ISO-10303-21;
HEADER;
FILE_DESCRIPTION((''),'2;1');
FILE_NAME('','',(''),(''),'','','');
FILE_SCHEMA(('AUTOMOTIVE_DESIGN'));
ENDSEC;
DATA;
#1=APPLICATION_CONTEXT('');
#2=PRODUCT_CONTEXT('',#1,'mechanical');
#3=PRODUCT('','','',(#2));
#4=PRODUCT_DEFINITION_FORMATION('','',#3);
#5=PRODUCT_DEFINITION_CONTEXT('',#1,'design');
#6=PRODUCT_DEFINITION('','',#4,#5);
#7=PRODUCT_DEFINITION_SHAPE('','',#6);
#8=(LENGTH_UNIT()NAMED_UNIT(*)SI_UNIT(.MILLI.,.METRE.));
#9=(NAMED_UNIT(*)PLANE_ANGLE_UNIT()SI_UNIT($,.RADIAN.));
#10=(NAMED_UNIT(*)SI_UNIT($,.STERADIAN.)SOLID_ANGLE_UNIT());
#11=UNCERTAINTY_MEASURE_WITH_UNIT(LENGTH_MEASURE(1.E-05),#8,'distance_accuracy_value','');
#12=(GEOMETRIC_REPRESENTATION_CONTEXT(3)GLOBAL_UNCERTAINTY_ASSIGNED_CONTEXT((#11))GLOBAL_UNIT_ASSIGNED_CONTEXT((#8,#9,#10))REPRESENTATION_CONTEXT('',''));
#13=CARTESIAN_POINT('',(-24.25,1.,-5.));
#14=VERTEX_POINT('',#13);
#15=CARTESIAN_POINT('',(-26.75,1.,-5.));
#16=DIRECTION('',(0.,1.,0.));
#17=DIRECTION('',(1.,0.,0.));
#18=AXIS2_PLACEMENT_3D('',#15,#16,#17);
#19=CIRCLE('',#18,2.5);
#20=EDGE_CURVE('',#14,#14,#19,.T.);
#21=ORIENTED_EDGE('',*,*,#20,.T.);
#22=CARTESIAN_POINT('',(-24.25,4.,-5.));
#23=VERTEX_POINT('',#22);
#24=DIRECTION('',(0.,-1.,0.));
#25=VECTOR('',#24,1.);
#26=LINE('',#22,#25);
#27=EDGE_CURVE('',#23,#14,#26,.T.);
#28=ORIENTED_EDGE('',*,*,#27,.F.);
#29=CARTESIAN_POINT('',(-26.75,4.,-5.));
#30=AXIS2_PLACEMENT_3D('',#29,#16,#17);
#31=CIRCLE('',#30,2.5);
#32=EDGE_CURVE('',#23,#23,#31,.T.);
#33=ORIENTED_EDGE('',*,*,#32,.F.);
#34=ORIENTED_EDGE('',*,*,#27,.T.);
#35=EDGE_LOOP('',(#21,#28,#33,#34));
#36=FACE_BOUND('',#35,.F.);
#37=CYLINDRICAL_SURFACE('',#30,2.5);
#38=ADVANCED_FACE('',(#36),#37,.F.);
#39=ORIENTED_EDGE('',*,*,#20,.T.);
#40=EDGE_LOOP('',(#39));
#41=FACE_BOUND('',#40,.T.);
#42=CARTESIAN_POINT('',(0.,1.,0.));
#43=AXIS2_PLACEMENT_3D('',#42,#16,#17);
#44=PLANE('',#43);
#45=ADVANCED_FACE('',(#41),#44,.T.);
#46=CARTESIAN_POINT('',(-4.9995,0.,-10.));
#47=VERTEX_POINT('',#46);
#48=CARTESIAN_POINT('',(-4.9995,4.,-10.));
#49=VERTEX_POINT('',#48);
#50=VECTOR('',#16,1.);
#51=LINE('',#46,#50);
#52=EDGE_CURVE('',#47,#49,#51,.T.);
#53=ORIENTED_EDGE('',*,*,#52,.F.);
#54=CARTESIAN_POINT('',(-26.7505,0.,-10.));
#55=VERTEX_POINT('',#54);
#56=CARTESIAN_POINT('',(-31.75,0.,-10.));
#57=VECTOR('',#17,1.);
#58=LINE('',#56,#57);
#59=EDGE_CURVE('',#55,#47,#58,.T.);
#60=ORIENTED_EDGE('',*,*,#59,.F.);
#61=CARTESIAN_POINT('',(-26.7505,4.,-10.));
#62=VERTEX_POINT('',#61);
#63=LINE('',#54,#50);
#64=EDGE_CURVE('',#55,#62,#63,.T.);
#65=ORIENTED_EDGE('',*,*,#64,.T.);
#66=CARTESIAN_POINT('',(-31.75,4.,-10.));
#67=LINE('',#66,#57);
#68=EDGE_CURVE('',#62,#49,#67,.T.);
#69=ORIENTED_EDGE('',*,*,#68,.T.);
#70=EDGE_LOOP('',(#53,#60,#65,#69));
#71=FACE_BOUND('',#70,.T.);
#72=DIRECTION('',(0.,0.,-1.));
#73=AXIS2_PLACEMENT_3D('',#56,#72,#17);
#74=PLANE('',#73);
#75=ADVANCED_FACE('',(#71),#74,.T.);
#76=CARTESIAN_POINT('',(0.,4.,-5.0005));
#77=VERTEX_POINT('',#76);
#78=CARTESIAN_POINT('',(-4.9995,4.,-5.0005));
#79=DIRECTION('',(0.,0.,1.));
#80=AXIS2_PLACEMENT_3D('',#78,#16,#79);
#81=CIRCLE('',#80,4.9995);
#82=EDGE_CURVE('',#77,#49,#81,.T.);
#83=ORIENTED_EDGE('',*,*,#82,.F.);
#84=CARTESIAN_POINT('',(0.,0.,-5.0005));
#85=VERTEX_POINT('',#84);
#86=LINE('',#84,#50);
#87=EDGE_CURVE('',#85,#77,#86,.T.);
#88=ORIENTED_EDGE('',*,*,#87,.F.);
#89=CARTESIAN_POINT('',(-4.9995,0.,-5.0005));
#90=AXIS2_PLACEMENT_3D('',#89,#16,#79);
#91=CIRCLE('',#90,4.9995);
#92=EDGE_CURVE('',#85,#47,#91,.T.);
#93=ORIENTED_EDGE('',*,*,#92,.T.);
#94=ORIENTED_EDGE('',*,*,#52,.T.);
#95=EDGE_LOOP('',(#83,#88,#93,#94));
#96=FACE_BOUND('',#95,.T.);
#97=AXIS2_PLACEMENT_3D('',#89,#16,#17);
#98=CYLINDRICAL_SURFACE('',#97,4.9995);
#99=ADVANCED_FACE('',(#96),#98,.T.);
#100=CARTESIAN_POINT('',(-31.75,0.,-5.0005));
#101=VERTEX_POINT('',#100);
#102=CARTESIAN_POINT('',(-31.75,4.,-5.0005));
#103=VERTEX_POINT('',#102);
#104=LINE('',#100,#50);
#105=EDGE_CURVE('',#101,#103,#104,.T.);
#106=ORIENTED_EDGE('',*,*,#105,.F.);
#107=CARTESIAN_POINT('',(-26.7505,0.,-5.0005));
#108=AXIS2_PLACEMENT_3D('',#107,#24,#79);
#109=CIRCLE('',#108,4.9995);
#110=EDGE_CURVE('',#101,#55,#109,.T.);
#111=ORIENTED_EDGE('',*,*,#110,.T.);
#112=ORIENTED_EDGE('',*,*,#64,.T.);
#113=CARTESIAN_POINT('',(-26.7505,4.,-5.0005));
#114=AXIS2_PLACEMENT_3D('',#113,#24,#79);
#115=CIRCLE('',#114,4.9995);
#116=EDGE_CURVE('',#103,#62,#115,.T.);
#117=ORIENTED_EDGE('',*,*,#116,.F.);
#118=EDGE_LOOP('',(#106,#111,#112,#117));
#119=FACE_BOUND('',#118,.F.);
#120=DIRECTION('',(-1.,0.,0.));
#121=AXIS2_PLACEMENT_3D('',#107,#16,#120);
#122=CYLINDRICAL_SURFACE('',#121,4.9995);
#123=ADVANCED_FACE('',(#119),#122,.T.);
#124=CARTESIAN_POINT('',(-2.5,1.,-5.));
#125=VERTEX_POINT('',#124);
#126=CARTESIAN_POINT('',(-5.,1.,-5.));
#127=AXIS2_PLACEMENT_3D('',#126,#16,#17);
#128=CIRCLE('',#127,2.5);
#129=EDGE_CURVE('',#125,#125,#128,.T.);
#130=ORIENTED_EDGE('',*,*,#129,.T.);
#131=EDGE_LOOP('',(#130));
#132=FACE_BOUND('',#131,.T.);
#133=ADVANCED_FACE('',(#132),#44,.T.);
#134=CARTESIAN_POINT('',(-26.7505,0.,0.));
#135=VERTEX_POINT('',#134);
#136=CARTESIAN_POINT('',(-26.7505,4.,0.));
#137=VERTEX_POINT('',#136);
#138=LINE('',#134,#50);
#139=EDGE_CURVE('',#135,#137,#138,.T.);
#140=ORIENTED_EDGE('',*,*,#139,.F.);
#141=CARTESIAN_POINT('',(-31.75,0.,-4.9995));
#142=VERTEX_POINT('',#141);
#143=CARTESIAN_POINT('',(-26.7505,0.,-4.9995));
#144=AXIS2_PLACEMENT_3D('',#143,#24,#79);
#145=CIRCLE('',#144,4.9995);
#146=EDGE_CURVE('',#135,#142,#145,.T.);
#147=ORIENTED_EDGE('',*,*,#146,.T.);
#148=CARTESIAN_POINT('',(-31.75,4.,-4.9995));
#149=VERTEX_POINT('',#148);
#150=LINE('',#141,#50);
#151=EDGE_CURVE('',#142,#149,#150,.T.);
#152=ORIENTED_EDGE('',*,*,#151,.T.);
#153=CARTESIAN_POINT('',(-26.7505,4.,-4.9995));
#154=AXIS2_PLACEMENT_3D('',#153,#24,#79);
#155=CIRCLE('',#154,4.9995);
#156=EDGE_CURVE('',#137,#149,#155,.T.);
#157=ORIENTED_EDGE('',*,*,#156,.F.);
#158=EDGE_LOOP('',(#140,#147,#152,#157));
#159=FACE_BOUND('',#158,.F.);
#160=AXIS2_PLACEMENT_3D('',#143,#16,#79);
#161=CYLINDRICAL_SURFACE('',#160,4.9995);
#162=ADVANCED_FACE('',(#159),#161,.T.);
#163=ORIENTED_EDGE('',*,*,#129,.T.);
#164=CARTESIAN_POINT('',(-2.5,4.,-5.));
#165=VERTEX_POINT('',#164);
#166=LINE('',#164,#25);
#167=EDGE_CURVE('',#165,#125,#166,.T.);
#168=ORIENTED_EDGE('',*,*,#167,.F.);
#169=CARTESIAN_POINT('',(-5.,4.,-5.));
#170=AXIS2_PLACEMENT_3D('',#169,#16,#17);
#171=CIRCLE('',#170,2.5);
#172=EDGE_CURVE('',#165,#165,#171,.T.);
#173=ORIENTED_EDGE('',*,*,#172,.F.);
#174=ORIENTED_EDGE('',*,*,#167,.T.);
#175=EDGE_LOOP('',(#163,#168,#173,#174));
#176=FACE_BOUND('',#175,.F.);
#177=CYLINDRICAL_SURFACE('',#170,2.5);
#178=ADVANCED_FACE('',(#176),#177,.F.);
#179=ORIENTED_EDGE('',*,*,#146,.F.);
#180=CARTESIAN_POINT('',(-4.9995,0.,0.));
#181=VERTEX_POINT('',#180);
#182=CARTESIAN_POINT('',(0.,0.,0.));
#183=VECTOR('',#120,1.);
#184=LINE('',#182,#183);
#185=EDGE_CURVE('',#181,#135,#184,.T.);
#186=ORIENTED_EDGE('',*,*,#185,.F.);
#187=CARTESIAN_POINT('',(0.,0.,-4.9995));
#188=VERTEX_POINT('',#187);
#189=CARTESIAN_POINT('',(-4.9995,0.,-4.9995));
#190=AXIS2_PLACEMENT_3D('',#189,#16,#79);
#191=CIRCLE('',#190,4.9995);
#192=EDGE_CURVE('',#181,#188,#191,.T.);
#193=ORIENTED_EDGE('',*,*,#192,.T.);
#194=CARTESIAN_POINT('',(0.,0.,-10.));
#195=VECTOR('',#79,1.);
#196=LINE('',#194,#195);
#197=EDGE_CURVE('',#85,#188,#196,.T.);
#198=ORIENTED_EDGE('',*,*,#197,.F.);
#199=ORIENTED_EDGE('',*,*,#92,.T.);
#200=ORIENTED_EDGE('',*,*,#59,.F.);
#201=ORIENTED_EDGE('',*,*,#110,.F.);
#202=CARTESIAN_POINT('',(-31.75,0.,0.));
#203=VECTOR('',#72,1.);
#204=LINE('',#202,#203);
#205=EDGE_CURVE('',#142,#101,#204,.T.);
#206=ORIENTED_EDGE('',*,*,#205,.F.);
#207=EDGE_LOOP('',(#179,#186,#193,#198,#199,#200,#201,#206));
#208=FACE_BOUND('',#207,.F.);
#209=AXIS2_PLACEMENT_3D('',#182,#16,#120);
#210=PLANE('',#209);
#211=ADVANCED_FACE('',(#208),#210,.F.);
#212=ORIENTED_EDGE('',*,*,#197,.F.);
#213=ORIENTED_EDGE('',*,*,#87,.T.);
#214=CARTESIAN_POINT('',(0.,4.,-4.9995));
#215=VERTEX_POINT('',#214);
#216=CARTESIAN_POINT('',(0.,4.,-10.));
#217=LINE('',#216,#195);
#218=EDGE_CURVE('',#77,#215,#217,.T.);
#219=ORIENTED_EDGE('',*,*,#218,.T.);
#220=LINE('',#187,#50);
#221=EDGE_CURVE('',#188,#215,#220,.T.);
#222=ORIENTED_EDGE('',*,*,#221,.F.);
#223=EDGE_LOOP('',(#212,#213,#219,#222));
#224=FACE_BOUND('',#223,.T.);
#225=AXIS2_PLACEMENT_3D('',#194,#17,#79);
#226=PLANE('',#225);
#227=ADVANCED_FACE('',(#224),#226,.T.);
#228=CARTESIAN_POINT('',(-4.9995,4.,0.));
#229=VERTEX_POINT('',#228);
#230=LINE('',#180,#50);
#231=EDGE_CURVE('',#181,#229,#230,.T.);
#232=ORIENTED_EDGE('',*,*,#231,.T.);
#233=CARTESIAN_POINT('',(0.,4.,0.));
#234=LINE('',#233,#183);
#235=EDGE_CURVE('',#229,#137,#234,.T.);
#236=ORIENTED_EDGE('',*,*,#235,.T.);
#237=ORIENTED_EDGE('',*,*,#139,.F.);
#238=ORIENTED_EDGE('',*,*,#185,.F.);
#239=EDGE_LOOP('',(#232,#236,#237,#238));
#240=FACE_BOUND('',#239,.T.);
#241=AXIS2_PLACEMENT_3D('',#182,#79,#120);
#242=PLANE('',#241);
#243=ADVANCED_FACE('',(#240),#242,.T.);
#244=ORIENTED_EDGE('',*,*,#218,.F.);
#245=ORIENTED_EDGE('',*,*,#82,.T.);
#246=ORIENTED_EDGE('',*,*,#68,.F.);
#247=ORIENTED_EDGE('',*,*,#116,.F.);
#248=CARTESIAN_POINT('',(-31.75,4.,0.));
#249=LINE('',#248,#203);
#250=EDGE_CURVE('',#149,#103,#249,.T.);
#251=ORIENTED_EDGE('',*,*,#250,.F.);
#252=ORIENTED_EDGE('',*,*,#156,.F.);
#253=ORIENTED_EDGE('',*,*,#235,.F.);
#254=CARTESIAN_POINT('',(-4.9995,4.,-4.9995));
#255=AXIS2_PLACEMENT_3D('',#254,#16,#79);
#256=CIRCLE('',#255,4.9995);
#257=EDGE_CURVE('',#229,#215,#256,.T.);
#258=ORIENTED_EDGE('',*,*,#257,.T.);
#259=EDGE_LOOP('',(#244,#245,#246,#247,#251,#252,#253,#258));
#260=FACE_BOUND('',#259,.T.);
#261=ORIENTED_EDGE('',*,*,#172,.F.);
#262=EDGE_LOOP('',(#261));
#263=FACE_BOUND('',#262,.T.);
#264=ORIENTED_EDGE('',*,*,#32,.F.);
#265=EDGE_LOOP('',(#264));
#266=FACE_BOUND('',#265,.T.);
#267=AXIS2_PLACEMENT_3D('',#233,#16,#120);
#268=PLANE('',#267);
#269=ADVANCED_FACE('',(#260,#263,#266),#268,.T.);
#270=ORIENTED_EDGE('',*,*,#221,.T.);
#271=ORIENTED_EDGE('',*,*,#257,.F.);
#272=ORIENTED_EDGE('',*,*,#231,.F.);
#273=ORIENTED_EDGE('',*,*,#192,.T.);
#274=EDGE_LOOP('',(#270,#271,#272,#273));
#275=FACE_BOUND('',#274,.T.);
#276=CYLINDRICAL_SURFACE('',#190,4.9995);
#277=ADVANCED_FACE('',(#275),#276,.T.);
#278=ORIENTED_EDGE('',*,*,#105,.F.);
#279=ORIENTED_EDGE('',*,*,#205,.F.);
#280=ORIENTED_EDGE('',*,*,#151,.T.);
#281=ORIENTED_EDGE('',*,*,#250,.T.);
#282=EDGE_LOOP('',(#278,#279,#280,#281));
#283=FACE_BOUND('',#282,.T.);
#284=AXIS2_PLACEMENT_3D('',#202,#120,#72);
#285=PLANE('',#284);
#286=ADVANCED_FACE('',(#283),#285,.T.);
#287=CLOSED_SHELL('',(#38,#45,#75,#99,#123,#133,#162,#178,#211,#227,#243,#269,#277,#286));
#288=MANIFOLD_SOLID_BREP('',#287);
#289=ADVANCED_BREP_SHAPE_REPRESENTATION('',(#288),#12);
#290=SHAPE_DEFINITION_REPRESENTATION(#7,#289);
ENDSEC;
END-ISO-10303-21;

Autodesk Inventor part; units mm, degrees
ref_plane "YZ Plane" through (0, 0, 0) normal (1, 0, 0) x (0, 1, 0)
ref_plane "XZ Plane" through (0, 0, 0) normal (0, 1, 0) x (-1, 0, 0)
ref_plane "XY Plane" through (0, 0, 0) normal (0, 0, 1) x (1, 0, 0)
sketch "Sketch1" plane through (0, 0, 0) normal (0, 1, 0) x (-1, 0, 0)
  line L0 (0, 0) -> (31.75, 0)
  line L1 (31.75, 0) -> (31.75, -10)
  line L2 (31.75, -10) -> (0, -10)
  line L3 (0, -10) -> (0, 0)
  dimension "d0" = 31.75
  dimension "d1" = 10
extrude "Extrusion1" add sketch "Sketch1" along normal blind 4
sketch "Sketch2" plane through (0, 4, 0) normal (0, 1, 0) x (1, 0, 0)
  circle A0 centre (-26.75, 5) radius 2.5
  circle A1 centre (-5, 5) radius 2.5
  line L0 (-31.75, 10) -> (-31.75, 0) projected
  point P0 (0, 0)
  dimension "d4" = 5
  dimension "d5" = 5
  dimension "d6" = 5
  dimension "d7" = 5
  dimension "d8" = 5
extrude "Extrusion2" cut sketch "Sketch2" against normal blind 3
fillet "Fillet1" radius 5 4 edges at (-31.75, 2, 0) (0, 2, 0) (0, 2, -10) (-31.75, 2, -10)
properties part number "Linkage" material "Aluminum 6061"
